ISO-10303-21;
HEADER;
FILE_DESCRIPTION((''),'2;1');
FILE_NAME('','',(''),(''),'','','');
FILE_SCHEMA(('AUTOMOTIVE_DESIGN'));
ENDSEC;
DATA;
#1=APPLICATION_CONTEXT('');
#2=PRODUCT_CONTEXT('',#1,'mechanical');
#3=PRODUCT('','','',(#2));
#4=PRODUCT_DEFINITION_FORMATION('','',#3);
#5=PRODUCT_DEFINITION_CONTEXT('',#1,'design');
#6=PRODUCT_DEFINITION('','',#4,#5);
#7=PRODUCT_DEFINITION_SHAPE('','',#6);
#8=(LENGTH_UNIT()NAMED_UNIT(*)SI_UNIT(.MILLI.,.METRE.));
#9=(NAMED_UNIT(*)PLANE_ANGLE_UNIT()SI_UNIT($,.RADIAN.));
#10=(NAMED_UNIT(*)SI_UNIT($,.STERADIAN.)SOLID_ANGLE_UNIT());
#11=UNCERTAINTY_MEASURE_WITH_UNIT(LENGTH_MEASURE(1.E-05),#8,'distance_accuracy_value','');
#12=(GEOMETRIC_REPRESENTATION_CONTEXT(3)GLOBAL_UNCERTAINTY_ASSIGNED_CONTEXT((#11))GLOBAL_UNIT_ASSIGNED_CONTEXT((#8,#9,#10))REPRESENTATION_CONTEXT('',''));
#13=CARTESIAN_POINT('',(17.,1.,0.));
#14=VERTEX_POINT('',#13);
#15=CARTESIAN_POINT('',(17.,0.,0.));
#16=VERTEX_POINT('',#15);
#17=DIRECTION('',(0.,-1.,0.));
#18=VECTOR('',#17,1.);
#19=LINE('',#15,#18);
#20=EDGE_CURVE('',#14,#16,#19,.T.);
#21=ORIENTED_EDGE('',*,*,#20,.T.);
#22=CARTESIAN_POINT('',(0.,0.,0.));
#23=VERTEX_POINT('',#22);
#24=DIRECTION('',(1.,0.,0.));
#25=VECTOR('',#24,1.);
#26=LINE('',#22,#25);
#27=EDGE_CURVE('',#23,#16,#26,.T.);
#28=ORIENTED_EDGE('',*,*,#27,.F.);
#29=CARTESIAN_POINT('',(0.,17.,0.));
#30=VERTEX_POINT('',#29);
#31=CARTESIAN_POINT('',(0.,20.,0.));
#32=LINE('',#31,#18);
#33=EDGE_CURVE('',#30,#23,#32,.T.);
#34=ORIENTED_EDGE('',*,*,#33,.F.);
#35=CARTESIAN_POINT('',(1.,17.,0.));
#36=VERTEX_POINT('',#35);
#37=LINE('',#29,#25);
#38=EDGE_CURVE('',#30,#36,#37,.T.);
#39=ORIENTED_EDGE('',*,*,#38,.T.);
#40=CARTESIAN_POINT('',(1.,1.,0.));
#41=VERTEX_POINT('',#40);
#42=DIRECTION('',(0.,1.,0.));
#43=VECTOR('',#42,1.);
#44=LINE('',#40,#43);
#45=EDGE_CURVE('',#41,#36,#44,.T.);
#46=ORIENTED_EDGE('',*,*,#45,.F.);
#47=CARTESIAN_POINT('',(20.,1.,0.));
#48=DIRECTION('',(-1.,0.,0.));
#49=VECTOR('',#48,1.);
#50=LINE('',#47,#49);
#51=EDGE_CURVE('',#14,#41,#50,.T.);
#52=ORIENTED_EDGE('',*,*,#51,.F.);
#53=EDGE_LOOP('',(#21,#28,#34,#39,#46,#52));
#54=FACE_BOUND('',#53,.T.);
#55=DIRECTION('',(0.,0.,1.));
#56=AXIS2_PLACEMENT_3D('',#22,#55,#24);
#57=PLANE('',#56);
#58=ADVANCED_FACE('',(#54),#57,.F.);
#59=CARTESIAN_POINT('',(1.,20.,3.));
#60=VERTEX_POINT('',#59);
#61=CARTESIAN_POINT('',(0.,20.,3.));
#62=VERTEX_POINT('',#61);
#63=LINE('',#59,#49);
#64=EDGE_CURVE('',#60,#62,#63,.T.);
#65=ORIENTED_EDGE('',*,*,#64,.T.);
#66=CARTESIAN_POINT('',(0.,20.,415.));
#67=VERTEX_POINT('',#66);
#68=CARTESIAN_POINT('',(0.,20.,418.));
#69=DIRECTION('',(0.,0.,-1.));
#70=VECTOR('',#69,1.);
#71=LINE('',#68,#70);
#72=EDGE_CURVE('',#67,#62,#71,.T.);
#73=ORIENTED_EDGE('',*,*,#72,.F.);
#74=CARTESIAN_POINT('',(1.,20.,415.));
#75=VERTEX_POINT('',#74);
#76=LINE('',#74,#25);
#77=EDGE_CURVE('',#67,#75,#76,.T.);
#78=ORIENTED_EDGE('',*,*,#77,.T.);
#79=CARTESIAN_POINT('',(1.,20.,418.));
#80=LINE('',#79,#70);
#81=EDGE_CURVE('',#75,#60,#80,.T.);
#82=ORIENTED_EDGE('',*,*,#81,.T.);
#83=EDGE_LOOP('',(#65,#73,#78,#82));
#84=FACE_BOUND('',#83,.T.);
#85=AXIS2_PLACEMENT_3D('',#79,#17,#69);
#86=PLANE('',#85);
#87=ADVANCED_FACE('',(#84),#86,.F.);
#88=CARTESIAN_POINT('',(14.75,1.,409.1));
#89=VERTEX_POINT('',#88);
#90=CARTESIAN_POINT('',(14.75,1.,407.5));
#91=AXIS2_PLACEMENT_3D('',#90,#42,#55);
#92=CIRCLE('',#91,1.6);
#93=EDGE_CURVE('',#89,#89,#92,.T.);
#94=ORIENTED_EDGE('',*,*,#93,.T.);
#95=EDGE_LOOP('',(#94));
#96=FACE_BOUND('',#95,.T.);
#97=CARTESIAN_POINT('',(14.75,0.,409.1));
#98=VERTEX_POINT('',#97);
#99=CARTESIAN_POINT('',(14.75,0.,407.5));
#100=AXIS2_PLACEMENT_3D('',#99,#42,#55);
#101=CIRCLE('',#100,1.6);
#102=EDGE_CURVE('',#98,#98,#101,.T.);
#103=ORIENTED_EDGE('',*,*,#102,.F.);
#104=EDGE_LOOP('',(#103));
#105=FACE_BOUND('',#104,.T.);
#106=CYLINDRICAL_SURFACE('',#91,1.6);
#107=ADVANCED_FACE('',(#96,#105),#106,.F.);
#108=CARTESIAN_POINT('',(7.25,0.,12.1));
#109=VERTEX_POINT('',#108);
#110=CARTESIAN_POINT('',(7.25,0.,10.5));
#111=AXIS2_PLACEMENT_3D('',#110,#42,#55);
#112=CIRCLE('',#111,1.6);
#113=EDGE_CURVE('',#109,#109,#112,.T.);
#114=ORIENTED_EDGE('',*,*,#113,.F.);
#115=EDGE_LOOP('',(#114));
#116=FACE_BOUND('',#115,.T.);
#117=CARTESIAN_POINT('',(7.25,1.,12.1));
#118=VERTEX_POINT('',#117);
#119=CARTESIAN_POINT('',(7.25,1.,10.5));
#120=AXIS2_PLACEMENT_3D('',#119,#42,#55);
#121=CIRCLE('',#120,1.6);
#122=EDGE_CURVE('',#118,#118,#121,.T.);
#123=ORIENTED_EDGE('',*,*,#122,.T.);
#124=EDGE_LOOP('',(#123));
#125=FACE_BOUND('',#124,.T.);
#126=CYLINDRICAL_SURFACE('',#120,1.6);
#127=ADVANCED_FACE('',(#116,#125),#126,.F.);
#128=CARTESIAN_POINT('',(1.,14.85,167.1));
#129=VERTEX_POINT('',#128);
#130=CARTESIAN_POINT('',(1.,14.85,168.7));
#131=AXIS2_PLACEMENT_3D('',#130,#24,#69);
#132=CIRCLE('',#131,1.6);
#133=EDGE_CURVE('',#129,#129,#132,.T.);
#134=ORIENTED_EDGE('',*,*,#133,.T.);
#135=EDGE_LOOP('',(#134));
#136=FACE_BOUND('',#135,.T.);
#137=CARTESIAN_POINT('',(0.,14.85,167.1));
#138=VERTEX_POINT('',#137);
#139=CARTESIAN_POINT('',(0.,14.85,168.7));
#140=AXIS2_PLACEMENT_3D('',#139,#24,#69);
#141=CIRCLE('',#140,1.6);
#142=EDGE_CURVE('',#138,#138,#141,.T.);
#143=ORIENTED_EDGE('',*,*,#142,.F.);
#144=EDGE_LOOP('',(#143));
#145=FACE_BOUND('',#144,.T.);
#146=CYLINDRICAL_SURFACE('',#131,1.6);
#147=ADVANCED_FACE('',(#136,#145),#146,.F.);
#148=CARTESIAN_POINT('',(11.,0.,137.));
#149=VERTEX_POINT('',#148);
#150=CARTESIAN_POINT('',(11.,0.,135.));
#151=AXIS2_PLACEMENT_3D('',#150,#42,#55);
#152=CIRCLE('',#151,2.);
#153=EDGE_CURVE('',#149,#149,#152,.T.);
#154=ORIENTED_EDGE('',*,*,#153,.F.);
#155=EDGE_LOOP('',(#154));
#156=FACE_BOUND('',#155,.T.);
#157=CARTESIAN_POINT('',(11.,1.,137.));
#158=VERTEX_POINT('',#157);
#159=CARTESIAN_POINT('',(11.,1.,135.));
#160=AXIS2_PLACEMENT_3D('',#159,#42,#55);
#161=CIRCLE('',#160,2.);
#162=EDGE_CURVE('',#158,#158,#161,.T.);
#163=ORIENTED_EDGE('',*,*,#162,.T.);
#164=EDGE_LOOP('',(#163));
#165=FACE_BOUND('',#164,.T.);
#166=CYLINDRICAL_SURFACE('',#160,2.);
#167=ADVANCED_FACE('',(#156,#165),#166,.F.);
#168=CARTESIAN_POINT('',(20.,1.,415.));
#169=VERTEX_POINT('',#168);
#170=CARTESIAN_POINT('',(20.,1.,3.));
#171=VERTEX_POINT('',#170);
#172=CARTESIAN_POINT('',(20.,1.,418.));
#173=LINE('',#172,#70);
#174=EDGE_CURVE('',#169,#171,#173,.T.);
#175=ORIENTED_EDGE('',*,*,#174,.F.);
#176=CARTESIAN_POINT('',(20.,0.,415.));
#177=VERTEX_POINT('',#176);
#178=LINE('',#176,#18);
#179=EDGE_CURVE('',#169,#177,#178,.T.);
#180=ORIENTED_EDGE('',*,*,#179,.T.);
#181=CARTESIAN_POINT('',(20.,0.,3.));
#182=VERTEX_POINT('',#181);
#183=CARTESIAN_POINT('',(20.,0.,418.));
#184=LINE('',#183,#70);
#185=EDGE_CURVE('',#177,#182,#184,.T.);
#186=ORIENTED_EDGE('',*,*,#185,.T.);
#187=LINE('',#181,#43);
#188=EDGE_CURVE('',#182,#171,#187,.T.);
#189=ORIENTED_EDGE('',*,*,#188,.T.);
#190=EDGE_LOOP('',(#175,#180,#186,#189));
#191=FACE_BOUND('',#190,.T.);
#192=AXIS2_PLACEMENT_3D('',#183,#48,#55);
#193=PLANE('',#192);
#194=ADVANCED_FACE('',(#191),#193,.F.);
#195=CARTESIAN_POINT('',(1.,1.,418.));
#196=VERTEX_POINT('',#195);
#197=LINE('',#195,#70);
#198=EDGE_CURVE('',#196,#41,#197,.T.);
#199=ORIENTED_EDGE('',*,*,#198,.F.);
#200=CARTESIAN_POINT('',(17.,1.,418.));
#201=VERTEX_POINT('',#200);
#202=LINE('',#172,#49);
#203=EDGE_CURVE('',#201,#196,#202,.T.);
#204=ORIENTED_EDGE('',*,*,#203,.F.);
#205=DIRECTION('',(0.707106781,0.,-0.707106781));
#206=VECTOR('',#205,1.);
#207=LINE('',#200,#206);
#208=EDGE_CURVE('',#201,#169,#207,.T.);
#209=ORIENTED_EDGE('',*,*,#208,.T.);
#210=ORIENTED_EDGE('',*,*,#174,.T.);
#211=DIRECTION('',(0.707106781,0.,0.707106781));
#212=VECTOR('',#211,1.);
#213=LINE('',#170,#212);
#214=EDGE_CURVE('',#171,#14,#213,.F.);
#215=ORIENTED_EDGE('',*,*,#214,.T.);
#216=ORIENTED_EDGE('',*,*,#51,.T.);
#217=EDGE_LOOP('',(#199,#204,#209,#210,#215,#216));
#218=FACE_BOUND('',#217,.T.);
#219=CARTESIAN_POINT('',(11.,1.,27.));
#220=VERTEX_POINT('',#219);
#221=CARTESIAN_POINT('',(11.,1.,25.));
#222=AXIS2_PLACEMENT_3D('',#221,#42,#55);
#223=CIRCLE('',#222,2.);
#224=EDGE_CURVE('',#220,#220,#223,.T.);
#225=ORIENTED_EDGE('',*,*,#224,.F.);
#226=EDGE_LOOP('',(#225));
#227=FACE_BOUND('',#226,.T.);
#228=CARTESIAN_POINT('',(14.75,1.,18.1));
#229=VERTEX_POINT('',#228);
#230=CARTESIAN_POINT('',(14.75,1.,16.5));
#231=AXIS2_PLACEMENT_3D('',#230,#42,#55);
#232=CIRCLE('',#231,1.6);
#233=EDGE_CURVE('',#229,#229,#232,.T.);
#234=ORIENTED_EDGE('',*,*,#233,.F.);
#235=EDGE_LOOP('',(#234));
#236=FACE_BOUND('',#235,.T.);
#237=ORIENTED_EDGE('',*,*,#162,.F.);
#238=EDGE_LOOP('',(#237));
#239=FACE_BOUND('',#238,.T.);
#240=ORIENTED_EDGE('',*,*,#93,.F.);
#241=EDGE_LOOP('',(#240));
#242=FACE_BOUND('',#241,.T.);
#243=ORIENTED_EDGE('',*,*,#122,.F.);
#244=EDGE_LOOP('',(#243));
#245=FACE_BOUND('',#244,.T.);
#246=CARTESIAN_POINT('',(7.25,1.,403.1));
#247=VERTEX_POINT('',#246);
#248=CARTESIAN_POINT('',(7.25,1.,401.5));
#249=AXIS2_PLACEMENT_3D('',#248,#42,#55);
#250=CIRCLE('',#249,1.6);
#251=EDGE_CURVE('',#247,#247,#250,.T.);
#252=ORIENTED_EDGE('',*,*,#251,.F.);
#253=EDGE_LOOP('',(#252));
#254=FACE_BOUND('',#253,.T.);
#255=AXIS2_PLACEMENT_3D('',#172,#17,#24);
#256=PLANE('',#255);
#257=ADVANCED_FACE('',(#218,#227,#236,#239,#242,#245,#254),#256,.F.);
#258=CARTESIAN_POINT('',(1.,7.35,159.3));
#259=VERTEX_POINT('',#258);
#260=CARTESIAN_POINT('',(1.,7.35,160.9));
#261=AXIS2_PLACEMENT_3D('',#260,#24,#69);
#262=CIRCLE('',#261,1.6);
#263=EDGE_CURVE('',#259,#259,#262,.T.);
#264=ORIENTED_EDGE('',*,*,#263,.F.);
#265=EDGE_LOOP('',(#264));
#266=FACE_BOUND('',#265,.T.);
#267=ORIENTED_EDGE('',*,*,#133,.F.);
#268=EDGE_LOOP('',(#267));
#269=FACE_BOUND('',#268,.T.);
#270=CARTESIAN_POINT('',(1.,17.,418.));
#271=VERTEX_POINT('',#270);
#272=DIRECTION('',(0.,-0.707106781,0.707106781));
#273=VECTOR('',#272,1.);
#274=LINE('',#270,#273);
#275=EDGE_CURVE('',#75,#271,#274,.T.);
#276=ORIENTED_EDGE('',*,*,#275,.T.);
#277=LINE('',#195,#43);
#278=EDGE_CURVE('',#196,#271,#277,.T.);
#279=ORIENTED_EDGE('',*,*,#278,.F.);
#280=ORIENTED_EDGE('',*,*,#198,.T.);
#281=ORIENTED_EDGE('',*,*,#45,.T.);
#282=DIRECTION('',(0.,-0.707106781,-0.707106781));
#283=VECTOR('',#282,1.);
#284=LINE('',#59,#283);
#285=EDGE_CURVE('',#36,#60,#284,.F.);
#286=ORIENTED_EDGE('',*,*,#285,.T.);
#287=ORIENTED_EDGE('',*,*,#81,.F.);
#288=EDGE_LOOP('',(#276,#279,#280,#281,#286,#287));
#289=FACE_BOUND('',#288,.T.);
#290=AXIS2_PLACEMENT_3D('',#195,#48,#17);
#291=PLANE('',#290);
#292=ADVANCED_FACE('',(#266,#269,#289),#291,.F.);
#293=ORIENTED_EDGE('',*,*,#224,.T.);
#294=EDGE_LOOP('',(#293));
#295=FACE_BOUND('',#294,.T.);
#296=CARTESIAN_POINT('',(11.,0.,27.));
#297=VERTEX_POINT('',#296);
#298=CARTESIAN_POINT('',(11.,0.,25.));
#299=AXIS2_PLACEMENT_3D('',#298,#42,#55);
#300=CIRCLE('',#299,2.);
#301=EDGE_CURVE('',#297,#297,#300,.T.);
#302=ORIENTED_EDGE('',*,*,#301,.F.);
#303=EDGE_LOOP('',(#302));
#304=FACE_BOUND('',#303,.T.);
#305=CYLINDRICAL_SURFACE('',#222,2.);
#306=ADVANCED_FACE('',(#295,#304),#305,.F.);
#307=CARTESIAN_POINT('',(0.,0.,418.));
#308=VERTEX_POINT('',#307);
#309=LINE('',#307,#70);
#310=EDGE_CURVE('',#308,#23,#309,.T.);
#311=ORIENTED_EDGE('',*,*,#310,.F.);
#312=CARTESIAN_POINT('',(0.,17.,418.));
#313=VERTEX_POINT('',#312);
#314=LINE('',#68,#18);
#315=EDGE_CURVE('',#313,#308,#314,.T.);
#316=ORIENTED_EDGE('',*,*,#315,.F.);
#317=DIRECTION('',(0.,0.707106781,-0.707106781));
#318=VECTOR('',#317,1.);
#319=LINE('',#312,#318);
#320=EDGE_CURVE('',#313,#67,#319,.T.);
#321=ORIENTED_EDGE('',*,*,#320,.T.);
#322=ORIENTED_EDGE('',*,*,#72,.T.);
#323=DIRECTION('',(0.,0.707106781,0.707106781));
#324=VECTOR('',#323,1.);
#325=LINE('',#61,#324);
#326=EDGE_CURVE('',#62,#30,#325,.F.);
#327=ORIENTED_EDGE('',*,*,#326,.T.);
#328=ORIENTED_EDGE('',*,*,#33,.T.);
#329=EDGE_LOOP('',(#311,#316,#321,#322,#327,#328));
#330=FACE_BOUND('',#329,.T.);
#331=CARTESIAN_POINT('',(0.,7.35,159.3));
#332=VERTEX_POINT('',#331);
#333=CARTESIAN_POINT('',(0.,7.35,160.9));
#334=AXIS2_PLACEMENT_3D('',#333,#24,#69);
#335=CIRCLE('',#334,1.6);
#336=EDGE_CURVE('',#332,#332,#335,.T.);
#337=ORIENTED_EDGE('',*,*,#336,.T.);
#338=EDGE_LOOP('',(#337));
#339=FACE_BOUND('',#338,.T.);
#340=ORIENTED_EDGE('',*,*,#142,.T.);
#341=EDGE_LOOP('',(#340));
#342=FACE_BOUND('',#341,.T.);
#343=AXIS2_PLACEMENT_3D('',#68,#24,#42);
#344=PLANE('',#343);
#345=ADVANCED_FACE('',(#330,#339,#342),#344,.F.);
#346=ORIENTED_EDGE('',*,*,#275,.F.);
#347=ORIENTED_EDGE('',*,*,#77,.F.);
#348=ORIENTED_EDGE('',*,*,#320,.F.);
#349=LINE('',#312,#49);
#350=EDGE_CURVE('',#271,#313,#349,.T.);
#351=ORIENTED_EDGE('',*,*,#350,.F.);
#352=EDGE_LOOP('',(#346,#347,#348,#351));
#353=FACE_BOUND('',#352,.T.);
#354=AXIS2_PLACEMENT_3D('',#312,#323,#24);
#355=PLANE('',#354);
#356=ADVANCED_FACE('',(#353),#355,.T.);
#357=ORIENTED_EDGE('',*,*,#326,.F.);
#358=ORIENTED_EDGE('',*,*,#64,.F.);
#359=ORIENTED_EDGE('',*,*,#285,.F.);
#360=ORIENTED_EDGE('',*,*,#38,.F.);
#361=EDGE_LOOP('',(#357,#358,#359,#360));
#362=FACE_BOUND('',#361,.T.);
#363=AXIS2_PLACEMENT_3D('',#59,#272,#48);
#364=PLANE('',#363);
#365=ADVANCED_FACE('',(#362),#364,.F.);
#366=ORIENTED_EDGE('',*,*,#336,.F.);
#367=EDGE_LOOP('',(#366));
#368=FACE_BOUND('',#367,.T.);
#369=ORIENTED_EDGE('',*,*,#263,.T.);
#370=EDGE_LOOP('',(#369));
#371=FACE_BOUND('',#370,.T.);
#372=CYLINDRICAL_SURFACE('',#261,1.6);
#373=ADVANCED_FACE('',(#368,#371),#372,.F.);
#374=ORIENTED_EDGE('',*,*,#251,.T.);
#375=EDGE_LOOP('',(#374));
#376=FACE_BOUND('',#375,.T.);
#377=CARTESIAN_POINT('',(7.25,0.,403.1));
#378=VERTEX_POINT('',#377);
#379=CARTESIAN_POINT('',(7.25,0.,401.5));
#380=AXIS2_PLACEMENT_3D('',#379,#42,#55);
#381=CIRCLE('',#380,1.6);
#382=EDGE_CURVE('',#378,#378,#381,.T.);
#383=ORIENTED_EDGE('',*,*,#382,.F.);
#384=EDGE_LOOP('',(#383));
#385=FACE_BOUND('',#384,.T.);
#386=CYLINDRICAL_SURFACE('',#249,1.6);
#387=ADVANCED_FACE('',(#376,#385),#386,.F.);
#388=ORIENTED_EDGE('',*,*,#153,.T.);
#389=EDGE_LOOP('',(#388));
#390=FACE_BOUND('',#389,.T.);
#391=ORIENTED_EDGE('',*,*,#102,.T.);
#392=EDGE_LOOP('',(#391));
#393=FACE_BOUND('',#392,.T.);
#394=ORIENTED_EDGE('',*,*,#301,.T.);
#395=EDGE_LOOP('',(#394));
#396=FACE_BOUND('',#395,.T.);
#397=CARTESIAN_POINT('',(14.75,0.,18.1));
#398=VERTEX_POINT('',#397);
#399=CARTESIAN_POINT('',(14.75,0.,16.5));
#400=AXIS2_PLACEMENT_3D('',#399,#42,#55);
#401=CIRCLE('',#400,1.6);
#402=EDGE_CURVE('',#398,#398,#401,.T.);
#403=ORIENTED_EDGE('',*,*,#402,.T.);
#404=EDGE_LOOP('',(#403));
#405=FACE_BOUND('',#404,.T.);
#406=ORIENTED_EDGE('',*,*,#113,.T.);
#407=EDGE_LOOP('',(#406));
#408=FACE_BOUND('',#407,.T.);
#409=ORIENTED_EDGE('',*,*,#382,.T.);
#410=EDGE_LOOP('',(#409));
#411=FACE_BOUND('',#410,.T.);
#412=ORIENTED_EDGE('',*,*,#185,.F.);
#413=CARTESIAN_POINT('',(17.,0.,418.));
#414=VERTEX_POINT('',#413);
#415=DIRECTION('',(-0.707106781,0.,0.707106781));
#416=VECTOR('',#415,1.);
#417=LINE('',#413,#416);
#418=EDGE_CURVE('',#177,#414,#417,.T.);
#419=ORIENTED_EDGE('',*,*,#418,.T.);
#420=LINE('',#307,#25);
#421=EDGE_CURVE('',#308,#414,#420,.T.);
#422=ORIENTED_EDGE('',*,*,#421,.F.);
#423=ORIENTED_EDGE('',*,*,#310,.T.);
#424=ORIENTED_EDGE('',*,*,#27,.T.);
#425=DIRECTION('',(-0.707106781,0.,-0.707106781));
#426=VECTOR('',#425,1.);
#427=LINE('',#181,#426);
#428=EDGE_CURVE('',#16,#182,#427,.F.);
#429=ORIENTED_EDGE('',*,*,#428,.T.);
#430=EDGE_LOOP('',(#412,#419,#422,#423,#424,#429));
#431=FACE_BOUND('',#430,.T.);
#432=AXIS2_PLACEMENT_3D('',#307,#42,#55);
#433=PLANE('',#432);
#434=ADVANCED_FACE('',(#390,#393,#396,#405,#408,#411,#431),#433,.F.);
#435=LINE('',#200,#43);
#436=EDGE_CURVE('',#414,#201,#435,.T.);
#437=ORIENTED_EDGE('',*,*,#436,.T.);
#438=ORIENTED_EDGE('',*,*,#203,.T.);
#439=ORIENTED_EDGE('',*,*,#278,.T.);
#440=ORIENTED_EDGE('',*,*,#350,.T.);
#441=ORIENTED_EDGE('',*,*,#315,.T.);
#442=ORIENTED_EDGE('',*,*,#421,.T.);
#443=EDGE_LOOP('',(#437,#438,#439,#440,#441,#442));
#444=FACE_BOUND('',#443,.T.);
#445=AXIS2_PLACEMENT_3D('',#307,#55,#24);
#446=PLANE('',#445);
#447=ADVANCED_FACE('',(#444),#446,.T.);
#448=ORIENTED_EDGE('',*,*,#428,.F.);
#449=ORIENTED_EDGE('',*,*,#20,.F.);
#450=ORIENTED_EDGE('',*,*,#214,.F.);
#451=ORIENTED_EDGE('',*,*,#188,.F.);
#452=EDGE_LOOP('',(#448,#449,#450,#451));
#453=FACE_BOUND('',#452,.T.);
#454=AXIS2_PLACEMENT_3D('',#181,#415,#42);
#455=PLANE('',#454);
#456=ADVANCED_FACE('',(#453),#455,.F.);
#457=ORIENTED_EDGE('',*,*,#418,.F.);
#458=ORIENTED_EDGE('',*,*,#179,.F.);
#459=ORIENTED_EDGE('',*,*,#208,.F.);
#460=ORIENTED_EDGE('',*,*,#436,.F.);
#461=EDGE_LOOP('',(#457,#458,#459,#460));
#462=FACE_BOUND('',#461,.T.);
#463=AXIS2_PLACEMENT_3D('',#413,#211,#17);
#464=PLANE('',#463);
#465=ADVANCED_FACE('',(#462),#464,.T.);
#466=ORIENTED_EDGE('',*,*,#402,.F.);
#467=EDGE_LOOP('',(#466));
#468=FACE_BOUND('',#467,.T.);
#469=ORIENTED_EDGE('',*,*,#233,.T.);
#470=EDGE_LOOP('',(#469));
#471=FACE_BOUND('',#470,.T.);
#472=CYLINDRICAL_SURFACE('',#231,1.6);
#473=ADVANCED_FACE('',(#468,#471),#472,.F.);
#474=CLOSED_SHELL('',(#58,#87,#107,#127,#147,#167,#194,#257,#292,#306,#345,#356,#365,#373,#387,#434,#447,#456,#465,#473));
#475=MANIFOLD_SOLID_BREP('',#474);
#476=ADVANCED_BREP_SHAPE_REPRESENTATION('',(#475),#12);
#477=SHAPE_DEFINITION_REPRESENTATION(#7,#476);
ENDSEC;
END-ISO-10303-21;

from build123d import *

# Parameters (mm, degrees)
BASE_DEPTH                      = 418
CHAMFER1_SIZE                   = 3
F_3_2_3_2_CABLE_CARRIER_HOLES_D = 3.2
F_3_2_3_2_DIAMETER_HOLE2_D      = 3.2
F_4_0_4_CABLE_TIE_HOLES_D       = 4


with BuildPart() as part:
    # Sketch1 → Base (new body)
    with BuildSketch(Plane.XY):
        Polygon((0, 0), (20, 0), (20, 1), (1, 1), (1, 20), (0, 20), align=None)
    extrude(amount=BASE_DEPTH)

    # Chamfer1
    chamfer1_edges = [part.edges().sort_by_distance(p)[0] for p in [
        (20, 0.5, 418),
        (0.5, 20, 418),
        (0.5, 20, 0),
        (20, 0.5, 0),
    ]]
    chamfer(chamfer1_edges, length=CHAMFER1_SIZE)

    # Ø3.2 (3.2) Cable Carrier Holes (through all)
    with Locations(Plane(origin=(1, 0, 0), x_dir=(0, 0, -1), z_dir=(1, 0, 0))):
        with Locations((-168.7, 14.85), (-160.9, 7.35)):
            Hole(F_3_2_3_2_CABLE_CARRIER_HOLES_D / 2)

    # Ø3.2 (3.2) Diameter Hole2 (through all)
    with Locations(Plane(origin=(0, 1, 0), x_dir=(1, 0, 0), z_dir=(0, 1, 0))):
        with Locations((7.25, -401.5), (14.75, -407.5), (7.25, -10.5), (14.75, -16.5)):
            Hole(F_3_2_3_2_DIAMETER_HOLE2_D / 2)

    # Ø4.0 (4) Cable Tie Holes (through all)
    with Locations(Plane(origin=(0, 1, 0), x_dir=(1, 0, 0), z_dir=(0, 1, 0))):
        with Locations((11, -25), (11, -135)):
            Hole(F_4_0_4_CABLE_TIE_HOLES_D / 2)


solid = part.part
